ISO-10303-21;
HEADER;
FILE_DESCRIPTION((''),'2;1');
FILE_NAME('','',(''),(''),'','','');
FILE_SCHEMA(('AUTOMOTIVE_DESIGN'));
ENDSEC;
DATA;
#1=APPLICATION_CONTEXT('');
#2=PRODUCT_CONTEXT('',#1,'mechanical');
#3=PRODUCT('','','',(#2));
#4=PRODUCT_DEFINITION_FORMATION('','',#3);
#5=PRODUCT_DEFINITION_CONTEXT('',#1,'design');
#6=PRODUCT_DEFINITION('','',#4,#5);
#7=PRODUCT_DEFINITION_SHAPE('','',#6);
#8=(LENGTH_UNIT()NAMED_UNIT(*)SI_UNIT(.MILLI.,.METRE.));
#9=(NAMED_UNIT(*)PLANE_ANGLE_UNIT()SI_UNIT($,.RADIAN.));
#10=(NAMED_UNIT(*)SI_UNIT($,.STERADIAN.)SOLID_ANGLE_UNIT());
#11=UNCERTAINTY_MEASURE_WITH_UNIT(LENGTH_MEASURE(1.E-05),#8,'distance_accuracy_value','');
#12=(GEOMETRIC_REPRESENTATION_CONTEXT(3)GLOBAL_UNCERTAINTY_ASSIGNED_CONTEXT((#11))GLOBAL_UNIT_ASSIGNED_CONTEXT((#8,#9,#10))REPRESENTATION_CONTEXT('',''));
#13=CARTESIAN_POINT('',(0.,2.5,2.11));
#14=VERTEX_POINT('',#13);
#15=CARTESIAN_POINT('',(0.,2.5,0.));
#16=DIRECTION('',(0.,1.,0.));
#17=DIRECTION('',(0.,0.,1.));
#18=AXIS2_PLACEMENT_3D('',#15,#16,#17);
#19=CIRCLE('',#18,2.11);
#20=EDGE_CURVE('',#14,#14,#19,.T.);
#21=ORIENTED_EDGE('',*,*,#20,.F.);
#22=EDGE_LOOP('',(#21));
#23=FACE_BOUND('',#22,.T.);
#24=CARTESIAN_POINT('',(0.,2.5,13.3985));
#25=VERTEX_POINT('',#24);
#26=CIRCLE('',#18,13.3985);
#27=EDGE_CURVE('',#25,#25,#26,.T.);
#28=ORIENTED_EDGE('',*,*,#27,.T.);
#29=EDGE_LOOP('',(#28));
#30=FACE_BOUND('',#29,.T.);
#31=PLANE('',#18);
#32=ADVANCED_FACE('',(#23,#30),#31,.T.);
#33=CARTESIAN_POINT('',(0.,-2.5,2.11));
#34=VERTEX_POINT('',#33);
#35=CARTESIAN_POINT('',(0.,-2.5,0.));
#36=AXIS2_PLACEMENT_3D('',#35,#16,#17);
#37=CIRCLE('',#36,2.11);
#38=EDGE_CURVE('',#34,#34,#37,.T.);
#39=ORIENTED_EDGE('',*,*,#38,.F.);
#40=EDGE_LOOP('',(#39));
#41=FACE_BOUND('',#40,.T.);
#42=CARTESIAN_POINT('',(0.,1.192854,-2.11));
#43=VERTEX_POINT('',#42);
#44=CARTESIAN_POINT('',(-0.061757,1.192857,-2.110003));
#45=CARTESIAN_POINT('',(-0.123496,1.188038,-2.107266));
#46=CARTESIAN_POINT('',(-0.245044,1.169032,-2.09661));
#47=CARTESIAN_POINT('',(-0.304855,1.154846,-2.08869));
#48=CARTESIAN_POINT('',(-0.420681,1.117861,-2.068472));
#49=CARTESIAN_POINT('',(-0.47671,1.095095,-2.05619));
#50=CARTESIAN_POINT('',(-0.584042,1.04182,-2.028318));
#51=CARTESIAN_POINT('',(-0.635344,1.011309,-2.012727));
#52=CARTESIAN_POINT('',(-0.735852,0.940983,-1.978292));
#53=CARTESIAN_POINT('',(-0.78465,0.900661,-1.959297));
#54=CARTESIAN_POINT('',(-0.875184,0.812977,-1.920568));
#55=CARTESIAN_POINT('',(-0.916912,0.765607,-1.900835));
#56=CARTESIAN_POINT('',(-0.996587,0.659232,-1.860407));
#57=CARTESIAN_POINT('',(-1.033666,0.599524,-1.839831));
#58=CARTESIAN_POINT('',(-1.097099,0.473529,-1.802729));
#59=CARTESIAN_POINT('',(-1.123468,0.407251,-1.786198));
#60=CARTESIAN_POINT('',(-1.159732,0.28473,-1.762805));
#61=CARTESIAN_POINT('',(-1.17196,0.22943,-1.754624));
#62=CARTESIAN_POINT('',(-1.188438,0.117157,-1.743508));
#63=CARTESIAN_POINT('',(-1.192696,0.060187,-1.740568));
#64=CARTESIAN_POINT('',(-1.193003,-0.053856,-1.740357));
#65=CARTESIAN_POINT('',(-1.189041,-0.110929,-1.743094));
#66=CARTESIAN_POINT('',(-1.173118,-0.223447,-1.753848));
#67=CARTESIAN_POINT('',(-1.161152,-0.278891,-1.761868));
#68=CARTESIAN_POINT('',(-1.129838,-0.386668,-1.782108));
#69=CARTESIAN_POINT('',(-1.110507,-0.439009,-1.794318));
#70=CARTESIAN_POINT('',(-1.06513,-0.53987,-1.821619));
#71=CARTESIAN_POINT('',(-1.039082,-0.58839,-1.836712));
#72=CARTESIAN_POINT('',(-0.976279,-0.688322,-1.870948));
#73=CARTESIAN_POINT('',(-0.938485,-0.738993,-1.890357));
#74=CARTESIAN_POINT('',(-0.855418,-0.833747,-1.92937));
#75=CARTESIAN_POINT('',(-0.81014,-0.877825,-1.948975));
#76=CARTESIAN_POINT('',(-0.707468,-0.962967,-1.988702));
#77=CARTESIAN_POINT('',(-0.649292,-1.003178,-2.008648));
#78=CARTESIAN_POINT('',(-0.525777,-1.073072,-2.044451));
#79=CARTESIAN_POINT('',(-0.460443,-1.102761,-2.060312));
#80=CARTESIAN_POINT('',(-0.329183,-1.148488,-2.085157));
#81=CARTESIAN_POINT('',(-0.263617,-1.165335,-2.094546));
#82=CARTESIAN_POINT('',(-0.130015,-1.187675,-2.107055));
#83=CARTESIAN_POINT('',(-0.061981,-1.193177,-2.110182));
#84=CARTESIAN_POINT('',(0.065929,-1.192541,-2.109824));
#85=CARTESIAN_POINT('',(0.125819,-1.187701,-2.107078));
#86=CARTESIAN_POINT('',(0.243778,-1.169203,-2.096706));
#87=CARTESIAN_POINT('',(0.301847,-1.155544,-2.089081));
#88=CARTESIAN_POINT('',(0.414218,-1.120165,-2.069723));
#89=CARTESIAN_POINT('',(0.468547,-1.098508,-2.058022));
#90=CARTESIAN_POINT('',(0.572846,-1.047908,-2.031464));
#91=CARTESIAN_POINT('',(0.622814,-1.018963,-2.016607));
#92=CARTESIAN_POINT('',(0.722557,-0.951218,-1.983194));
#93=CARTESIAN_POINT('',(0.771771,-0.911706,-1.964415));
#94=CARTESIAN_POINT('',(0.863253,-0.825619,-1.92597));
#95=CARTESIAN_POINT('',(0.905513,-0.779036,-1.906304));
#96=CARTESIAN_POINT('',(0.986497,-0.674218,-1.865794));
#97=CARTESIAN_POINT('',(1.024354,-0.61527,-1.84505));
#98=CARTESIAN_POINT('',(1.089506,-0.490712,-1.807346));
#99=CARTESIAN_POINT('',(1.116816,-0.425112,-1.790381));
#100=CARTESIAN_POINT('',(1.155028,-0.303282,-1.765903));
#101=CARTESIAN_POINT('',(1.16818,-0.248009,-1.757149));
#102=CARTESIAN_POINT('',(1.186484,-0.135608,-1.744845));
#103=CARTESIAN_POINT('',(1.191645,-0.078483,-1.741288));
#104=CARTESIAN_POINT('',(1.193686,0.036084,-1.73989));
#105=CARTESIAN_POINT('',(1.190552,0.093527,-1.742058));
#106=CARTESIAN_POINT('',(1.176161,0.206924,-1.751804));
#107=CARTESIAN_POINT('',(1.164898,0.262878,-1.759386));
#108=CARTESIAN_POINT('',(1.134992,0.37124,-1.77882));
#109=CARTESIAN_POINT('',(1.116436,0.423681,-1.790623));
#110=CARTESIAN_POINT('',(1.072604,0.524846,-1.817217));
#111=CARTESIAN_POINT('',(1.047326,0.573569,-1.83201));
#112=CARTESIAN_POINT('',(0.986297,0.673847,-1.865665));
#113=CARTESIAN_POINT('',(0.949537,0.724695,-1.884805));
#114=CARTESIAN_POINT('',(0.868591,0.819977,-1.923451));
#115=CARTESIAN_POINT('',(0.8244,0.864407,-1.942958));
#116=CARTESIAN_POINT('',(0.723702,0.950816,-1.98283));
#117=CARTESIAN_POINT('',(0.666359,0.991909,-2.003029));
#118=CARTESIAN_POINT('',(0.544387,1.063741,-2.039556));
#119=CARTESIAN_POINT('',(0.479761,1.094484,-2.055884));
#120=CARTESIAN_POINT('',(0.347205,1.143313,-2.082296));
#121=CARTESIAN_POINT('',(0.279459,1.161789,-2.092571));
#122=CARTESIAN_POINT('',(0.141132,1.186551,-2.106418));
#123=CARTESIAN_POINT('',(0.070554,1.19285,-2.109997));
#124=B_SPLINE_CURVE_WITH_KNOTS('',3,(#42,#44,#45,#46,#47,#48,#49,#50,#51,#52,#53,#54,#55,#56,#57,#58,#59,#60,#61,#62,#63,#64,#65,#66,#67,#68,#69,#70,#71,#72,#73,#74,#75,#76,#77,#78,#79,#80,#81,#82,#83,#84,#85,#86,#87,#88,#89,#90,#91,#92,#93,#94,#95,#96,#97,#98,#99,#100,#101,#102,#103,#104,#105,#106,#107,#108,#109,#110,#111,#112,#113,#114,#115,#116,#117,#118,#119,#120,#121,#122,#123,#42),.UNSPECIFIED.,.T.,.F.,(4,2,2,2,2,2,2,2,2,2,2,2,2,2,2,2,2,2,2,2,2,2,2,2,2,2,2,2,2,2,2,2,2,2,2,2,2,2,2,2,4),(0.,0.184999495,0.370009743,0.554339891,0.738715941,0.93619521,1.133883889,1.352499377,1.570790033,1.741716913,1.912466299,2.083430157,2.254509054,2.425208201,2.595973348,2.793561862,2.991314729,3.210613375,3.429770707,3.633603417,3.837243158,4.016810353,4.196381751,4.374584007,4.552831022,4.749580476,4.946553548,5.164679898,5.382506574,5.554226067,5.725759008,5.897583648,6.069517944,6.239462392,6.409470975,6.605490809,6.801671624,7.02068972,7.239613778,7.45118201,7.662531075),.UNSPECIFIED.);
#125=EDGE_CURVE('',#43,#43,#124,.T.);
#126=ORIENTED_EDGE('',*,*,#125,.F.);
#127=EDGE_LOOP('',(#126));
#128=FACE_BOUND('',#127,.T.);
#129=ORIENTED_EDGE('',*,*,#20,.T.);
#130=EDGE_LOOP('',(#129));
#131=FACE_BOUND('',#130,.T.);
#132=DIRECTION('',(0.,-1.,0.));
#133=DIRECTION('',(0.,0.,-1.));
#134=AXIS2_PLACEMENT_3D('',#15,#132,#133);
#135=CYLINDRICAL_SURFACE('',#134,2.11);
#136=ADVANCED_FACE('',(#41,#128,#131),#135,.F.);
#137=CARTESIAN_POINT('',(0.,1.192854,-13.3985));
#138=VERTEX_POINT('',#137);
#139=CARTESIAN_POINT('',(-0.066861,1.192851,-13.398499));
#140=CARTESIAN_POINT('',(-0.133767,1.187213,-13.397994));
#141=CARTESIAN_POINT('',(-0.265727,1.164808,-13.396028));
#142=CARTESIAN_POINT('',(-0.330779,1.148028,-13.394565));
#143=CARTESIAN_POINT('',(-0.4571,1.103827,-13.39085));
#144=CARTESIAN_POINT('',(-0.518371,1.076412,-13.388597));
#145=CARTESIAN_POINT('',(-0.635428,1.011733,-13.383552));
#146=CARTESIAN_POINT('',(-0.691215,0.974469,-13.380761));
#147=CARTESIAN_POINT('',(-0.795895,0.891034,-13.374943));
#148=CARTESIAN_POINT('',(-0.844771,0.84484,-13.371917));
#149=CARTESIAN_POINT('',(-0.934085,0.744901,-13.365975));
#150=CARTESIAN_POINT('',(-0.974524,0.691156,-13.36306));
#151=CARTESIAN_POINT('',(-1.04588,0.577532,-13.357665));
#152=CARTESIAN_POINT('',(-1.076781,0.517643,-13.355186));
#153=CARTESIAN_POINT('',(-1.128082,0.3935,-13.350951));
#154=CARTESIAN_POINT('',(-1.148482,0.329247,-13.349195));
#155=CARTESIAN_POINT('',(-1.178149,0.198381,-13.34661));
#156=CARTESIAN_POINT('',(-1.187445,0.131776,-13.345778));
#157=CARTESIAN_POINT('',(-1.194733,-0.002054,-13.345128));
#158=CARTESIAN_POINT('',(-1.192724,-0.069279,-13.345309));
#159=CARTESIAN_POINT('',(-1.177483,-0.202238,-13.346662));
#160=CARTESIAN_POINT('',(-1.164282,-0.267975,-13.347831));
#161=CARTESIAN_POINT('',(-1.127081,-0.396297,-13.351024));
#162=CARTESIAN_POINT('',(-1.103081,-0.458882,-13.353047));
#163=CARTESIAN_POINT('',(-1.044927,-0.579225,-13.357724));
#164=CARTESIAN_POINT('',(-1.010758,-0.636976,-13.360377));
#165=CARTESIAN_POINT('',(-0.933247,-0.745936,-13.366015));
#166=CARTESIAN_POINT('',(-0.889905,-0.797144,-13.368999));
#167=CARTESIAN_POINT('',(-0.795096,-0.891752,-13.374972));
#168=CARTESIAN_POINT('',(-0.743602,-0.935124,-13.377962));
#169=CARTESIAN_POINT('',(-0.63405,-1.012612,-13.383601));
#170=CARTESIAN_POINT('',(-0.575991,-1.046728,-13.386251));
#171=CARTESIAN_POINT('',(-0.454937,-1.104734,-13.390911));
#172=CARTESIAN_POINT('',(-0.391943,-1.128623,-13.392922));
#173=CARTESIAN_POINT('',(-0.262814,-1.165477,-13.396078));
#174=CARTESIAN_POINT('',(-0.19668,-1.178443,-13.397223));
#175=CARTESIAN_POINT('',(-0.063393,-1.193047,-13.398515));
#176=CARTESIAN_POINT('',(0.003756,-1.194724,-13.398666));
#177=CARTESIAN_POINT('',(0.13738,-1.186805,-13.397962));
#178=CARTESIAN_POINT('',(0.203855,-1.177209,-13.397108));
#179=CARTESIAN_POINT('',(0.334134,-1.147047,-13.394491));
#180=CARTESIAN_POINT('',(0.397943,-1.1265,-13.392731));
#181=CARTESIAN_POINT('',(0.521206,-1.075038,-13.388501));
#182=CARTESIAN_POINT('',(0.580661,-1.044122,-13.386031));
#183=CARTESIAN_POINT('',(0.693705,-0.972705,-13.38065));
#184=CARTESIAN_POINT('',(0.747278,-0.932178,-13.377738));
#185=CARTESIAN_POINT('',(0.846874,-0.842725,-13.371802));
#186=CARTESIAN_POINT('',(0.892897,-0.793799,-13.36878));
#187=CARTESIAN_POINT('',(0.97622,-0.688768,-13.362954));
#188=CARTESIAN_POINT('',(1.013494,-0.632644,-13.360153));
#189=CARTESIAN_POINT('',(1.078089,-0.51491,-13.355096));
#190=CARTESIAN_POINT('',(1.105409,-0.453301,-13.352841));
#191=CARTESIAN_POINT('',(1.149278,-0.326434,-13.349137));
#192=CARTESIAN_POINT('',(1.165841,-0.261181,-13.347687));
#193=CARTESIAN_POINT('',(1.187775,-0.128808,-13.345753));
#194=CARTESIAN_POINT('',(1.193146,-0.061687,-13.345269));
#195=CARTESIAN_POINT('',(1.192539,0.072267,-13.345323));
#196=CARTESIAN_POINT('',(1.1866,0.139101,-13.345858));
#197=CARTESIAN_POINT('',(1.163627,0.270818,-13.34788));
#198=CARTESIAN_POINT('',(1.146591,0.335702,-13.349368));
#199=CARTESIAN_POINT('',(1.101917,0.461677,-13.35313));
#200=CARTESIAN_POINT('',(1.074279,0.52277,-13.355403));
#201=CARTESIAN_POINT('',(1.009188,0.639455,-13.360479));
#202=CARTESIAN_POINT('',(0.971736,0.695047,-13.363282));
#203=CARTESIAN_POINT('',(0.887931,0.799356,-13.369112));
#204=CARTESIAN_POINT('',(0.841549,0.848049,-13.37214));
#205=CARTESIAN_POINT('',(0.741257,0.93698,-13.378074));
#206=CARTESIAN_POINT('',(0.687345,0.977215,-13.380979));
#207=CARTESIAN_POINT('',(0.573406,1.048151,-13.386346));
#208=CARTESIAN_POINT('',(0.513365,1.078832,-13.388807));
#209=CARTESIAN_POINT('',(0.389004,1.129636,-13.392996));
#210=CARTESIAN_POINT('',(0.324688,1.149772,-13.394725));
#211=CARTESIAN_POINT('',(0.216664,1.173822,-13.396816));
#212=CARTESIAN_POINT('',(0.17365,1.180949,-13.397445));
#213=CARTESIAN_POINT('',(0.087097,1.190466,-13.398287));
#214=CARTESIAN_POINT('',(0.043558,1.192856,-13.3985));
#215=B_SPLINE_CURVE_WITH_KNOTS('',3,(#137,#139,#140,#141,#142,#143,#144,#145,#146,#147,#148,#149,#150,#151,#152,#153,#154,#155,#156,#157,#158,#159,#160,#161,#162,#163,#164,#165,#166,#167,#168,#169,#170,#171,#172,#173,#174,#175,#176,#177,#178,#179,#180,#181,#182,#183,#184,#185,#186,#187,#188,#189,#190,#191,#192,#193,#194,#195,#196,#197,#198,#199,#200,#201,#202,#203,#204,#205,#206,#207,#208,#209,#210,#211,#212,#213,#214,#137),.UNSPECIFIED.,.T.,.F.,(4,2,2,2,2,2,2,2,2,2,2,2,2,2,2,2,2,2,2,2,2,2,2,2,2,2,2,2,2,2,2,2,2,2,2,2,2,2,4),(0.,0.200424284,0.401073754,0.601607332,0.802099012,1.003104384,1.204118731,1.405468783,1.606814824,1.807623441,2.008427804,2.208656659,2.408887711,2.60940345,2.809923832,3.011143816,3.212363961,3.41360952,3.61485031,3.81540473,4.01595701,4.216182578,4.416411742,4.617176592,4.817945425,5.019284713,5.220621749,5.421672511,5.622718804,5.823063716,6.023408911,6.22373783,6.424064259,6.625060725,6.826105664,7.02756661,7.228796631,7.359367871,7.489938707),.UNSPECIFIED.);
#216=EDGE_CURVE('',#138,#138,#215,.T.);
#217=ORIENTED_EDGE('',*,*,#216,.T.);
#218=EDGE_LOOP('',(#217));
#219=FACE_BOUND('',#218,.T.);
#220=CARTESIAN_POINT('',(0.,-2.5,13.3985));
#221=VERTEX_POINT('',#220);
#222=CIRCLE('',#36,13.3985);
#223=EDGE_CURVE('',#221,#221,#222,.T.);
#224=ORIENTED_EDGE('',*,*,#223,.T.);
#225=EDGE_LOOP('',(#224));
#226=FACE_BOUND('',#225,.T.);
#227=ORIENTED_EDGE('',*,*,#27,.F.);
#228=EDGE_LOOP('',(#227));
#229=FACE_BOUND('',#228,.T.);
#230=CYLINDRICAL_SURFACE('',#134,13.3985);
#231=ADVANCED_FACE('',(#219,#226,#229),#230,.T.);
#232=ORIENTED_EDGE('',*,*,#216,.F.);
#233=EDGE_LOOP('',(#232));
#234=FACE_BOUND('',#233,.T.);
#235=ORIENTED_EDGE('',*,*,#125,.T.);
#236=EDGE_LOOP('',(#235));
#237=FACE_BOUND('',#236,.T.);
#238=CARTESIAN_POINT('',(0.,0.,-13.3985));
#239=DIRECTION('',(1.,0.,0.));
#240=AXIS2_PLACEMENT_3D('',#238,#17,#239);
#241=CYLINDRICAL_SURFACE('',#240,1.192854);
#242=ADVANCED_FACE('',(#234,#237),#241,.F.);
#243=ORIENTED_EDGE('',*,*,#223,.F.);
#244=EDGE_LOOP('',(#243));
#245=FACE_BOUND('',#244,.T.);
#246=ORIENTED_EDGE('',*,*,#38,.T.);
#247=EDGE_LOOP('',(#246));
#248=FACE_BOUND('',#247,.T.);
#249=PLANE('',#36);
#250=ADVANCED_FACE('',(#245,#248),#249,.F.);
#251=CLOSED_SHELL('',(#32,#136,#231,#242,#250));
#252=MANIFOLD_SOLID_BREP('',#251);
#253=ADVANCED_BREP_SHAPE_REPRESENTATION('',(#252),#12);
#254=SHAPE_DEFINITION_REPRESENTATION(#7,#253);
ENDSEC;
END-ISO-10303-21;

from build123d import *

# Parameters (mm, degrees)
SKETCH1_R           = 13.3985
SKETCH1_R_2         = 2.11
BOSS_EXTRUDE1_DEPTH = 2.5
SKETCH2_R           = 1.192853847
CUT_EXTRUDE1_DEPTH  = 20.112550968


with BuildPart() as part:
    # Sketch1 → Boss-Extrude1 (new, symmetric)
    with BuildSketch(Plane(origin=(0, 0, 0), x_dir=(1, 0, 0), z_dir=(0, 1, 0))):
        with Locations(Location((0, 0, 0), (0, 0, 270))):
            Circle(SKETCH1_R)
        with Locations(Location((0, 0, 0), (0, 0, 270))):
            Circle(SKETCH1_R_2, mode=Mode.SUBTRACT)
    extrude(amount=BOSS_EXTRUDE1_DEPTH, both=True)

    # Sketch2 → Cut-Extrude1 (cut, through all)
    with BuildSketch(Plane.XY):
        with Locations(Location((0, 0, 0), (0, 0, 90))):
            Circle(SKETCH2_R)
    extrude(amount=-CUT_EXTRUDE1_DEPTH, mode=Mode.SUBTRACT)


solid = part.part
